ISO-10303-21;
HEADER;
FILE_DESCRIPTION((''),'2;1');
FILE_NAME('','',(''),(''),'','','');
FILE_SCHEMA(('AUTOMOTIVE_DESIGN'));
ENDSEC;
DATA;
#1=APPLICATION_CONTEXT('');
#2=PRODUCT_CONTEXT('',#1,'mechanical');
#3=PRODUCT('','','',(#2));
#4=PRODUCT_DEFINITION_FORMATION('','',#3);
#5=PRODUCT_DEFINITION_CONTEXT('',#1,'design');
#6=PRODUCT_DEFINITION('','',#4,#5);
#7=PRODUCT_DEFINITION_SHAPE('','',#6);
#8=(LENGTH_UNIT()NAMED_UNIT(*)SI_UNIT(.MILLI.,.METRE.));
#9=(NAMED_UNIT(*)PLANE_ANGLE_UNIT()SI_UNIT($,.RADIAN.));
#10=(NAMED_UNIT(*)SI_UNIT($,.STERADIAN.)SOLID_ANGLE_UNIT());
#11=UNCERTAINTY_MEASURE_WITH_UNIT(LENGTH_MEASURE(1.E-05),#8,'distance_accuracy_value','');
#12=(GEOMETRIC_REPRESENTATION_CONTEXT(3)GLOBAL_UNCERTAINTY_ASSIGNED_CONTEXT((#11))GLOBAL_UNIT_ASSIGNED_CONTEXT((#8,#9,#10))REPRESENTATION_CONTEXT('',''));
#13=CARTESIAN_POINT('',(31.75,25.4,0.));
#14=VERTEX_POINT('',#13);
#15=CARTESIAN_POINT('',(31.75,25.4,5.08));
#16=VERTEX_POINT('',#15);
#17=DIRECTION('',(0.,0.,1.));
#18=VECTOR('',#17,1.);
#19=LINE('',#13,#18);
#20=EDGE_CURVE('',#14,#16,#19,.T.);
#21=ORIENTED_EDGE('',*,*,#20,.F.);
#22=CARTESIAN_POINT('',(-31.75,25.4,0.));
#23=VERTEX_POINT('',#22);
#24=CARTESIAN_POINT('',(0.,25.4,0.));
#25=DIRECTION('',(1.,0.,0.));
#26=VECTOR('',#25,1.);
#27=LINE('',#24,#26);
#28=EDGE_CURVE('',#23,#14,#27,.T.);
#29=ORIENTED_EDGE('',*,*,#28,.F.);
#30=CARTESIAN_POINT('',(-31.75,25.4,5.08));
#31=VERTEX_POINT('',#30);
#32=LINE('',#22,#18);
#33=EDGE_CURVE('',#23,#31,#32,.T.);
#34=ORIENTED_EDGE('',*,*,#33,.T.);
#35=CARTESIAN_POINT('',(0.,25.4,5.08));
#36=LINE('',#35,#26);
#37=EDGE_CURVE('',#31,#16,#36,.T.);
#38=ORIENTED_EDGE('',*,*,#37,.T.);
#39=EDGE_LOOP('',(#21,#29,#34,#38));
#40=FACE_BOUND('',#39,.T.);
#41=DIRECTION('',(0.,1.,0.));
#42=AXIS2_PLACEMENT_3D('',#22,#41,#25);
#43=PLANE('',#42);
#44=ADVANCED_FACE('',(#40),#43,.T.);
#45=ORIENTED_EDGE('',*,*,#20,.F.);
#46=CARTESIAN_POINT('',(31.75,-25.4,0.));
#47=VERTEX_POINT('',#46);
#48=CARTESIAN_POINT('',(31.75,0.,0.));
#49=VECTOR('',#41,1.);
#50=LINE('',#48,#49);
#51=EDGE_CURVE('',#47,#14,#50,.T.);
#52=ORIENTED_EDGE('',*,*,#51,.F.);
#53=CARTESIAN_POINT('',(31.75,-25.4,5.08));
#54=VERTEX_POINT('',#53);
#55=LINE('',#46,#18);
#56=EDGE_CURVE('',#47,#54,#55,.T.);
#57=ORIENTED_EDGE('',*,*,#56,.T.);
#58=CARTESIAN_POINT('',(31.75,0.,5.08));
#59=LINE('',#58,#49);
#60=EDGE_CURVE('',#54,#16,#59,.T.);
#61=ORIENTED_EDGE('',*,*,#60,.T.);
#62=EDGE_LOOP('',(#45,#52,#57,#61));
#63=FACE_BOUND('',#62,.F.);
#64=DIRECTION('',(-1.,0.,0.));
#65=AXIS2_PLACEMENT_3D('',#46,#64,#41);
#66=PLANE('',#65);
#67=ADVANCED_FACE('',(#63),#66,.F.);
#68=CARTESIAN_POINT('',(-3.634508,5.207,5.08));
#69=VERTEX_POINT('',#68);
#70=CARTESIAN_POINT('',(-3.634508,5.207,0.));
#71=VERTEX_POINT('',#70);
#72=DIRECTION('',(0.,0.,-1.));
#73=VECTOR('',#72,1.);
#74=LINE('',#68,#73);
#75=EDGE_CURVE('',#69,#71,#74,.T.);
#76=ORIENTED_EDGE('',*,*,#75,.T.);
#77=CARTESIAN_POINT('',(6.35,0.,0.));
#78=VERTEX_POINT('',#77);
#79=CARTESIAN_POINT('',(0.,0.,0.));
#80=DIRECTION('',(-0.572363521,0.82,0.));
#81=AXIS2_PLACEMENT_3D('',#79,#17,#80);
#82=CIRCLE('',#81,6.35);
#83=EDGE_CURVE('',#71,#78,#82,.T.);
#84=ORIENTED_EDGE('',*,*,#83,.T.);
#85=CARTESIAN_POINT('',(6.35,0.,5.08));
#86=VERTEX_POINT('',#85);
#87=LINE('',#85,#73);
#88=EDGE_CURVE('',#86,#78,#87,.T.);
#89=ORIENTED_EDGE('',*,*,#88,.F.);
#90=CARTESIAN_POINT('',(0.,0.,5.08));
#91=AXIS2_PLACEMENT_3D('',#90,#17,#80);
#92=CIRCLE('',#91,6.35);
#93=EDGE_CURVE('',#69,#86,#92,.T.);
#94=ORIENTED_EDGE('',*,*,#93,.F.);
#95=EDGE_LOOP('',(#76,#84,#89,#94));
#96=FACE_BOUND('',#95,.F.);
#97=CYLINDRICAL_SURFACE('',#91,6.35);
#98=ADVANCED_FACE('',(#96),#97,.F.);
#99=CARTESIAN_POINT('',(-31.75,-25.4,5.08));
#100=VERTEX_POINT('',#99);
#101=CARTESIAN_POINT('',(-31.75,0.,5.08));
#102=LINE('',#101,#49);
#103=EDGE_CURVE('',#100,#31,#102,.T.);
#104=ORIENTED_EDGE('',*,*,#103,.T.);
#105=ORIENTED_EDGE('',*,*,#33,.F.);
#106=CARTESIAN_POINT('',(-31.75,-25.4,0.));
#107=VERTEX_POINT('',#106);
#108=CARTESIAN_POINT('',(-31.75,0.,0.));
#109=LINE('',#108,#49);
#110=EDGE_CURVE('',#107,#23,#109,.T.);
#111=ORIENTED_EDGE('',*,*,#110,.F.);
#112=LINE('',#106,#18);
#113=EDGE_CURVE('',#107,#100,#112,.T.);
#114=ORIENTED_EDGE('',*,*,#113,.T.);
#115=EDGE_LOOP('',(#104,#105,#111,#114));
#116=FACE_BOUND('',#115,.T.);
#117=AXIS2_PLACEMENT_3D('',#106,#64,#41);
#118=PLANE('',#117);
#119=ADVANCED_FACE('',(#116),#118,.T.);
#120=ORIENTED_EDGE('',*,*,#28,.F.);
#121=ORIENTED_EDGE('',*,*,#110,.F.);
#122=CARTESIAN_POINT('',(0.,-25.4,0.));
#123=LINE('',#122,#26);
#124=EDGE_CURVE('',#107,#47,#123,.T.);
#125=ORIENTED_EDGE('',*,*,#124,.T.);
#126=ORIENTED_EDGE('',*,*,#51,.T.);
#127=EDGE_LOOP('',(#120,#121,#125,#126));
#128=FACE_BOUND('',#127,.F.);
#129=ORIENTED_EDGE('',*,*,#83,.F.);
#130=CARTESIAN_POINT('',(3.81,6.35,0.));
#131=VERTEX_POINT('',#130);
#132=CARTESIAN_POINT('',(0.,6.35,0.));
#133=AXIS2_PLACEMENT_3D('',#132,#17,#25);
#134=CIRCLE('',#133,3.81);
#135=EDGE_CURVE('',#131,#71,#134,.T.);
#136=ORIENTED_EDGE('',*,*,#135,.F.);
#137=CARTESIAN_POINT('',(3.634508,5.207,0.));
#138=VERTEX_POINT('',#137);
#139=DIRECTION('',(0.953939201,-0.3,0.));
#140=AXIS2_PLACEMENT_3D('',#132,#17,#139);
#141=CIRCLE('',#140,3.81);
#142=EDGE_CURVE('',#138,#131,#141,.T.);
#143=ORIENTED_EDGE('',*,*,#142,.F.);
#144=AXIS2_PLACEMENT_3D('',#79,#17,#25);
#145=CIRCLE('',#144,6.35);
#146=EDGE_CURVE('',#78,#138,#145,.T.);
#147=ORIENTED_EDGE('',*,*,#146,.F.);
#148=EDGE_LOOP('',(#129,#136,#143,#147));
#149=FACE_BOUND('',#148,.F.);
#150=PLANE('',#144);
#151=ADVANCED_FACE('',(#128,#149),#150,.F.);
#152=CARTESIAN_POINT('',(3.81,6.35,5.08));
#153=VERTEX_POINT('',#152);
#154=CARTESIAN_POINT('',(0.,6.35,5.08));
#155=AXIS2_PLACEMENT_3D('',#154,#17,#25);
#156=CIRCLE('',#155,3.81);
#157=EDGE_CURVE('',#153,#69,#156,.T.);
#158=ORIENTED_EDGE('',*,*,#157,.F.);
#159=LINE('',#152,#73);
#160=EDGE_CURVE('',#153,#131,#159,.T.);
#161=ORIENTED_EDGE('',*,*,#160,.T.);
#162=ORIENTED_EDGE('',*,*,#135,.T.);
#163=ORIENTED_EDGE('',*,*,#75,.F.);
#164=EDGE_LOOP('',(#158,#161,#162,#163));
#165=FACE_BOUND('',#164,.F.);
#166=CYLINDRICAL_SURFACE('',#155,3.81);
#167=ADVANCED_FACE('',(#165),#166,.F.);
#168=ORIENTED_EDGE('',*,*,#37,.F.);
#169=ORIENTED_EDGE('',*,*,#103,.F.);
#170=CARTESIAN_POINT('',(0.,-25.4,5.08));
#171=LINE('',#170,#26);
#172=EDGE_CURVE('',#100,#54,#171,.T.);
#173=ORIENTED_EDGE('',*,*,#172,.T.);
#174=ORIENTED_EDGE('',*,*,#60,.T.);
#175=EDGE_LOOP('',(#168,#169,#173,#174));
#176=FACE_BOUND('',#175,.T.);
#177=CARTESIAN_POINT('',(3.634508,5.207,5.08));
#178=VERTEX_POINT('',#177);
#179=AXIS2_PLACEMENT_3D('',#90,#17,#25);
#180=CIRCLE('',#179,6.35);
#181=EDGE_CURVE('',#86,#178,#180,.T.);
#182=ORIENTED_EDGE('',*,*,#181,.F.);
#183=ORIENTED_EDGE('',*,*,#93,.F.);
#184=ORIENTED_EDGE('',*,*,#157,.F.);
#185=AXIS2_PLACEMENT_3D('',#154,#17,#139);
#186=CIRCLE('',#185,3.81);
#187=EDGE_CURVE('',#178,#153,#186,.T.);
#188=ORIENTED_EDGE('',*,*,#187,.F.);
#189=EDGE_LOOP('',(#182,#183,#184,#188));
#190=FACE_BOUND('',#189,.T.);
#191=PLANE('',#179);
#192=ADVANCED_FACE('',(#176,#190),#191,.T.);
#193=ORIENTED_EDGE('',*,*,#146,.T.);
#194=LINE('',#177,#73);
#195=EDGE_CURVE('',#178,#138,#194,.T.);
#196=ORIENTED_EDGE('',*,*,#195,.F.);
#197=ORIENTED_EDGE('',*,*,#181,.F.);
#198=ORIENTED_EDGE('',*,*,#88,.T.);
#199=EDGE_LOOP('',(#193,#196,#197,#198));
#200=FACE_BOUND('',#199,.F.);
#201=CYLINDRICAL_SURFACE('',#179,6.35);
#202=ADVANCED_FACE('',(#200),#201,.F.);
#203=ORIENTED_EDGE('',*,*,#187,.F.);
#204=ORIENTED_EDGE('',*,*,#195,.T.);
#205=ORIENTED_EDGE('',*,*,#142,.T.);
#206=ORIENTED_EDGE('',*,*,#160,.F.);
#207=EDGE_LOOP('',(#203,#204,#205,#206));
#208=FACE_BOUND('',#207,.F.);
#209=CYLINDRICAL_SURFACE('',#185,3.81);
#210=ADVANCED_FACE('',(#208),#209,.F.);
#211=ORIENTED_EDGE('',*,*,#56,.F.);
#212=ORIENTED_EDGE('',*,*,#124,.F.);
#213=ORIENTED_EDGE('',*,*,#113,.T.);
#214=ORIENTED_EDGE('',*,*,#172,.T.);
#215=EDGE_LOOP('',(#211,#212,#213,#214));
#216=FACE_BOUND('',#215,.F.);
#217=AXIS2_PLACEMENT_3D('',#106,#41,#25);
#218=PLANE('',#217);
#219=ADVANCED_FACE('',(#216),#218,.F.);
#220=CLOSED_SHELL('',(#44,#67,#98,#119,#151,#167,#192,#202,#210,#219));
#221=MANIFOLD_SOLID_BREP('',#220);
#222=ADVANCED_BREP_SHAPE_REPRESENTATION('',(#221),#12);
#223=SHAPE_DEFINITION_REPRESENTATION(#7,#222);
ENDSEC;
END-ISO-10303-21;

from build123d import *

# Parameters (mm, degrees)
F0_W     = 63.5
F0_H     = 50.8
F1_DEPTH = 5.08
F3_DEPTH = 5.081


with BuildPart() as f1:
    # F0 (on Top) → F1 (new body)
    with BuildSketch(Plane.XY):
        Rectangle(F0_W, F0_H)
    extrude(amount=F1_DEPTH)

    # F2 (on face) → F3 (cut, through all)
    with BuildSketch(Plane.XY.offset(5.08)):
        with BuildLine():
            ThreePointArc((3.6345083574, 5.207), (0, 2.54), (-3.6345083574, 5.207))
            ThreePointArc((-3.6345083574, 5.207), (-2.9362707582, -5.6303475945), (6.35, 0))
            ThreePointArc((6.35, 0), (5.6303475945, 2.9362707582), (3.6345083574, 5.207))
        make_face()
        with BuildLine():
            ThreePointArc((3.6345083574, 5.207), (3.7658715354, 5.7718031657), (3.81, 6.35))
            ThreePointArc((3.81, 6.35), (-0.5781968343, 10.1158715354), (-3.6345083574, 5.207))
            ThreePointArc((-3.6345083574, 5.207), (0, 6.35), (3.6345083574, 5.207))
        make_face()
        with BuildLine():
            ThreePointArc((3.6345083574, 5.207), (0, 6.35), (-3.6345083574, 5.207))
            ThreePointArc((-3.6345083574, 5.207), (0, 2.54), (3.6345083574, 5.207))
        make_face()
    extrude(amount=-F3_DEPTH, mode=Mode.SUBTRACT)


solid = f1.part
